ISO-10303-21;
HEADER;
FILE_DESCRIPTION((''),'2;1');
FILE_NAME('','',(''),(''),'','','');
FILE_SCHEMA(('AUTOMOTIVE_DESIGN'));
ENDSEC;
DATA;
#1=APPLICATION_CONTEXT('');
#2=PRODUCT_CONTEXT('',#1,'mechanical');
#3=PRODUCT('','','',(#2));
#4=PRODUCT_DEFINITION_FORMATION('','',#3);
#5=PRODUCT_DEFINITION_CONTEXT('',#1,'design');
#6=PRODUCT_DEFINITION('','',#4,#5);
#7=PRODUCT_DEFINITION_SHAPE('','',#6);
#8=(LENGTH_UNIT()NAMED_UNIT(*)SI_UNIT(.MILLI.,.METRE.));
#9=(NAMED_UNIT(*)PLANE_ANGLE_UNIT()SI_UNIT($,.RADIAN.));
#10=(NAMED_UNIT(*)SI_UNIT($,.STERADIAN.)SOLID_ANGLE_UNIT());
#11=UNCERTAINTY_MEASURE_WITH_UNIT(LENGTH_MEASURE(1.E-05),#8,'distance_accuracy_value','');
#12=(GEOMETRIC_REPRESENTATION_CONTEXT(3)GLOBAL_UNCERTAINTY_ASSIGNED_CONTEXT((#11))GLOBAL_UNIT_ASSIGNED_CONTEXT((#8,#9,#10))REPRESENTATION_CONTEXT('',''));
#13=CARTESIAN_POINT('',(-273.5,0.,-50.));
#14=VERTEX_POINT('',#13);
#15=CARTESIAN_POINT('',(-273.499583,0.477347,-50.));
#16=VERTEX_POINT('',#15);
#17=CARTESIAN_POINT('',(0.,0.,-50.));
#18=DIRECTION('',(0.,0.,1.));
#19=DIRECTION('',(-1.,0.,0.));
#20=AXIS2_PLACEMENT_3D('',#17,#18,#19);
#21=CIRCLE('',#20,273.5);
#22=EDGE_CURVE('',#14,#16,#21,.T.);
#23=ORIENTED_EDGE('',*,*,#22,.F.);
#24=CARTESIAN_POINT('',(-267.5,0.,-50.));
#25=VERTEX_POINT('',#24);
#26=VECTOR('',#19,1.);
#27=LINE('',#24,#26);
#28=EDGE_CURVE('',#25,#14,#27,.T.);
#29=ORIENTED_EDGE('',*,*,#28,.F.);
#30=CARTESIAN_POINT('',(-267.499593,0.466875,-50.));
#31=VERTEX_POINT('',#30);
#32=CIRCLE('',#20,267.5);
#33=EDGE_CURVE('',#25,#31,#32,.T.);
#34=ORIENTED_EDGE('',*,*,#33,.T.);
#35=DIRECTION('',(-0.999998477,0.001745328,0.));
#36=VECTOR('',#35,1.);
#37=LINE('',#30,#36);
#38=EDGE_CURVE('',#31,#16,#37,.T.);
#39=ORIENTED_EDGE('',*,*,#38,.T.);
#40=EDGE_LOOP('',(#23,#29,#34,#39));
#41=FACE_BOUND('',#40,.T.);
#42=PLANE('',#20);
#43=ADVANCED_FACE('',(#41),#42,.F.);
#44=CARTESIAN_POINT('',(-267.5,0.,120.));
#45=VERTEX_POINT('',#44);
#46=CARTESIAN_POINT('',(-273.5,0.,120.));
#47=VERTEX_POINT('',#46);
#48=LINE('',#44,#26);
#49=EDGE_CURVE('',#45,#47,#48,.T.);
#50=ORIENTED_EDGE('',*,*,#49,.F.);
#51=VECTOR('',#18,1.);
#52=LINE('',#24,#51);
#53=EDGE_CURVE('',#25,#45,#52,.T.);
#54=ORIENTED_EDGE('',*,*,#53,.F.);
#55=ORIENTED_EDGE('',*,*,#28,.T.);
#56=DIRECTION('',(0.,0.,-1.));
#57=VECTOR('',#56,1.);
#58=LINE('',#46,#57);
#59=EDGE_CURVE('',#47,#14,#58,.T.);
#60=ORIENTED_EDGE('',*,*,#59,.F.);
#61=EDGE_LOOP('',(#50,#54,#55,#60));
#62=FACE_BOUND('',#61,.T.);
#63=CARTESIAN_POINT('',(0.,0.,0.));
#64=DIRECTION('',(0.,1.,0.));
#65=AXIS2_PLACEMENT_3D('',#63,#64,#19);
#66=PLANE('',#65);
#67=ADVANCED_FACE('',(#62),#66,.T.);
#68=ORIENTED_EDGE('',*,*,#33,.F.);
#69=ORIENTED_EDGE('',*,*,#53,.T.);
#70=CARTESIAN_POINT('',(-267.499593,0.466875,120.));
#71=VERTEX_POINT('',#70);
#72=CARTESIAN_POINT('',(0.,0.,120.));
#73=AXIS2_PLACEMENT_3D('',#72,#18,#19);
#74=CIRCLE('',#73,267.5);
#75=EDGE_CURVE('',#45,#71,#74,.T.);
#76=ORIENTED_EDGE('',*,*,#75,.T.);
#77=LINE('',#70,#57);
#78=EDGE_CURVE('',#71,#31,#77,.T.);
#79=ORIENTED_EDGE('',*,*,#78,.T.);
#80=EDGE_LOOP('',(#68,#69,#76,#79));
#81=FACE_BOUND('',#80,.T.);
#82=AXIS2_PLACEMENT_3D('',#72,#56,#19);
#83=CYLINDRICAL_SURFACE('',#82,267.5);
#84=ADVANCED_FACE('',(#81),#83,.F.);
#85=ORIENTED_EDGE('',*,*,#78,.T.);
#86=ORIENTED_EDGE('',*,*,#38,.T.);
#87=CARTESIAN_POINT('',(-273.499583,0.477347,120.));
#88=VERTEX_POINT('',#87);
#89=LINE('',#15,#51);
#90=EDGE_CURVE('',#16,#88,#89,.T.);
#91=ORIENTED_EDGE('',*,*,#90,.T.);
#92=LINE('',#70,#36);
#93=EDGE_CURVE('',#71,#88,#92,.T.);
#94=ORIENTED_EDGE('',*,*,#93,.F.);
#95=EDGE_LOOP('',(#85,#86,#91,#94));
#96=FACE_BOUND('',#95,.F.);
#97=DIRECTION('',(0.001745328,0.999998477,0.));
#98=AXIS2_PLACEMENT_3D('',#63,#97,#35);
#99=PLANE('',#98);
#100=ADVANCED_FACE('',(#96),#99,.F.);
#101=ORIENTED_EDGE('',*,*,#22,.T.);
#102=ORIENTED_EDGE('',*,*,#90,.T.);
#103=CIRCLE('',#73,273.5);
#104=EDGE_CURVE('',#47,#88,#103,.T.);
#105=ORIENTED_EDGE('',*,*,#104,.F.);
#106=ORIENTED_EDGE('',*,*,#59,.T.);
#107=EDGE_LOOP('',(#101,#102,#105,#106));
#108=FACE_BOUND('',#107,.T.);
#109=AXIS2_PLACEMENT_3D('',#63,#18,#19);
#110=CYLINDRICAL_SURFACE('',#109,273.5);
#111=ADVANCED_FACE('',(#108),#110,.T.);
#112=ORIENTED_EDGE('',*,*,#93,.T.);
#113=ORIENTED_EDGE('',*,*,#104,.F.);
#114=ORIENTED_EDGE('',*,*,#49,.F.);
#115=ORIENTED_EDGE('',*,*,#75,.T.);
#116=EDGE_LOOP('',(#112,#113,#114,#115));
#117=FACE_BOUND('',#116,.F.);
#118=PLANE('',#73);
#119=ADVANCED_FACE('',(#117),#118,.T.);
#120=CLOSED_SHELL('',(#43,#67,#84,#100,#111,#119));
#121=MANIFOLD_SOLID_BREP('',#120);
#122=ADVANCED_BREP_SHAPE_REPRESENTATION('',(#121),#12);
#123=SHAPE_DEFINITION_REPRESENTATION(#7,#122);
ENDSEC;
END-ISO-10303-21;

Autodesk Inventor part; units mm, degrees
ref_plane "YZ Plane" through (0, 0, 0) normal (1, 0, 0) x (0, 1, 0)
ref_plane "XZ Plane" through (0, 0, 0) normal (0, 1, 0) x (-1, 0, 0)
ref_plane "XY Plane" through (0, 0, 0) normal (0, 0, 1) x (1, 0, 0)
sketch "Sketch1" plane through (0, 0, 0) normal (0, 1, 0) x (-1, 0, 0)
  line L0 (267.5, 120) -> (267.5, 0)
  line L1 (267.5, 0) -> (273.5, 0)
  line L2 (0, 0) -> (0, 109.131)
  line L3 (267.5, 120) -> (273.5, 120)
  line L4 (273.5, 0) -> (273.5, 120)
  line L5 (273.5, 0) -> (267.5, 0)
  line L6 (267.5, 0) -> (267.5, -50)
  line L7 (267.5, -50) -> (273.5, -50)
  line L8 (273.5, -50) -> (273.5, 0)
  point P0 (270.5, 0)
  point P1 (273.5, 0)
  point P2 (267.5, 0)
  dimension "d6" = 359.9
  dimension "d3" = 6
  dimension "d4" = 535
  dimension "d5" = 120
  dimension "d7" = 6
  dimension "d8" = 50
revolve "Revolution1" add sketch "Sketch1" angle 359.9 about axis through (0, 0, 0) along (0, 0, 1)
sketch "Sketch2" plane through (0, 0, 0) normal (0, 1, 0) x (-1, 0, 0)
  circle A0 centre (0, -476) radius 476
  point P0 (0, 0)
  dimension "d6" = 359.9
  dimension "d9" = 952
extrude "Extrusion1" [suppressed]
equation "\"d4\" = Accsess_hatch_diameter"
equation "\"d5\" = Accsess_hatch_lenght"
equation "\"d7\" = d3"
equation "\"Accsess_hatch_lenght\" = 120"
equation "\"Accsess_hatch_diameter\" = 535"
equation "\"BendRadius\" = Thickness"
equation "\"BendReliefWidth\" = Thickness"
equation "\"BendReliefDepth\" = 0.5 * Thickness"
equation "\"CornerReliefSize\" = 4 * Thickness"
equation "\"MinimumRemnant\" = 2 * Thickness"
equation "\"TransitionRadius\" = BendRadius"
equation "\"JacobiRadiusSize\" = BendRadius"
equation "\"GapSize\" = Thickness"
equation "\"Thickness\" = 6"
properties part number "PNS-611 accses hatch tube_1200"
